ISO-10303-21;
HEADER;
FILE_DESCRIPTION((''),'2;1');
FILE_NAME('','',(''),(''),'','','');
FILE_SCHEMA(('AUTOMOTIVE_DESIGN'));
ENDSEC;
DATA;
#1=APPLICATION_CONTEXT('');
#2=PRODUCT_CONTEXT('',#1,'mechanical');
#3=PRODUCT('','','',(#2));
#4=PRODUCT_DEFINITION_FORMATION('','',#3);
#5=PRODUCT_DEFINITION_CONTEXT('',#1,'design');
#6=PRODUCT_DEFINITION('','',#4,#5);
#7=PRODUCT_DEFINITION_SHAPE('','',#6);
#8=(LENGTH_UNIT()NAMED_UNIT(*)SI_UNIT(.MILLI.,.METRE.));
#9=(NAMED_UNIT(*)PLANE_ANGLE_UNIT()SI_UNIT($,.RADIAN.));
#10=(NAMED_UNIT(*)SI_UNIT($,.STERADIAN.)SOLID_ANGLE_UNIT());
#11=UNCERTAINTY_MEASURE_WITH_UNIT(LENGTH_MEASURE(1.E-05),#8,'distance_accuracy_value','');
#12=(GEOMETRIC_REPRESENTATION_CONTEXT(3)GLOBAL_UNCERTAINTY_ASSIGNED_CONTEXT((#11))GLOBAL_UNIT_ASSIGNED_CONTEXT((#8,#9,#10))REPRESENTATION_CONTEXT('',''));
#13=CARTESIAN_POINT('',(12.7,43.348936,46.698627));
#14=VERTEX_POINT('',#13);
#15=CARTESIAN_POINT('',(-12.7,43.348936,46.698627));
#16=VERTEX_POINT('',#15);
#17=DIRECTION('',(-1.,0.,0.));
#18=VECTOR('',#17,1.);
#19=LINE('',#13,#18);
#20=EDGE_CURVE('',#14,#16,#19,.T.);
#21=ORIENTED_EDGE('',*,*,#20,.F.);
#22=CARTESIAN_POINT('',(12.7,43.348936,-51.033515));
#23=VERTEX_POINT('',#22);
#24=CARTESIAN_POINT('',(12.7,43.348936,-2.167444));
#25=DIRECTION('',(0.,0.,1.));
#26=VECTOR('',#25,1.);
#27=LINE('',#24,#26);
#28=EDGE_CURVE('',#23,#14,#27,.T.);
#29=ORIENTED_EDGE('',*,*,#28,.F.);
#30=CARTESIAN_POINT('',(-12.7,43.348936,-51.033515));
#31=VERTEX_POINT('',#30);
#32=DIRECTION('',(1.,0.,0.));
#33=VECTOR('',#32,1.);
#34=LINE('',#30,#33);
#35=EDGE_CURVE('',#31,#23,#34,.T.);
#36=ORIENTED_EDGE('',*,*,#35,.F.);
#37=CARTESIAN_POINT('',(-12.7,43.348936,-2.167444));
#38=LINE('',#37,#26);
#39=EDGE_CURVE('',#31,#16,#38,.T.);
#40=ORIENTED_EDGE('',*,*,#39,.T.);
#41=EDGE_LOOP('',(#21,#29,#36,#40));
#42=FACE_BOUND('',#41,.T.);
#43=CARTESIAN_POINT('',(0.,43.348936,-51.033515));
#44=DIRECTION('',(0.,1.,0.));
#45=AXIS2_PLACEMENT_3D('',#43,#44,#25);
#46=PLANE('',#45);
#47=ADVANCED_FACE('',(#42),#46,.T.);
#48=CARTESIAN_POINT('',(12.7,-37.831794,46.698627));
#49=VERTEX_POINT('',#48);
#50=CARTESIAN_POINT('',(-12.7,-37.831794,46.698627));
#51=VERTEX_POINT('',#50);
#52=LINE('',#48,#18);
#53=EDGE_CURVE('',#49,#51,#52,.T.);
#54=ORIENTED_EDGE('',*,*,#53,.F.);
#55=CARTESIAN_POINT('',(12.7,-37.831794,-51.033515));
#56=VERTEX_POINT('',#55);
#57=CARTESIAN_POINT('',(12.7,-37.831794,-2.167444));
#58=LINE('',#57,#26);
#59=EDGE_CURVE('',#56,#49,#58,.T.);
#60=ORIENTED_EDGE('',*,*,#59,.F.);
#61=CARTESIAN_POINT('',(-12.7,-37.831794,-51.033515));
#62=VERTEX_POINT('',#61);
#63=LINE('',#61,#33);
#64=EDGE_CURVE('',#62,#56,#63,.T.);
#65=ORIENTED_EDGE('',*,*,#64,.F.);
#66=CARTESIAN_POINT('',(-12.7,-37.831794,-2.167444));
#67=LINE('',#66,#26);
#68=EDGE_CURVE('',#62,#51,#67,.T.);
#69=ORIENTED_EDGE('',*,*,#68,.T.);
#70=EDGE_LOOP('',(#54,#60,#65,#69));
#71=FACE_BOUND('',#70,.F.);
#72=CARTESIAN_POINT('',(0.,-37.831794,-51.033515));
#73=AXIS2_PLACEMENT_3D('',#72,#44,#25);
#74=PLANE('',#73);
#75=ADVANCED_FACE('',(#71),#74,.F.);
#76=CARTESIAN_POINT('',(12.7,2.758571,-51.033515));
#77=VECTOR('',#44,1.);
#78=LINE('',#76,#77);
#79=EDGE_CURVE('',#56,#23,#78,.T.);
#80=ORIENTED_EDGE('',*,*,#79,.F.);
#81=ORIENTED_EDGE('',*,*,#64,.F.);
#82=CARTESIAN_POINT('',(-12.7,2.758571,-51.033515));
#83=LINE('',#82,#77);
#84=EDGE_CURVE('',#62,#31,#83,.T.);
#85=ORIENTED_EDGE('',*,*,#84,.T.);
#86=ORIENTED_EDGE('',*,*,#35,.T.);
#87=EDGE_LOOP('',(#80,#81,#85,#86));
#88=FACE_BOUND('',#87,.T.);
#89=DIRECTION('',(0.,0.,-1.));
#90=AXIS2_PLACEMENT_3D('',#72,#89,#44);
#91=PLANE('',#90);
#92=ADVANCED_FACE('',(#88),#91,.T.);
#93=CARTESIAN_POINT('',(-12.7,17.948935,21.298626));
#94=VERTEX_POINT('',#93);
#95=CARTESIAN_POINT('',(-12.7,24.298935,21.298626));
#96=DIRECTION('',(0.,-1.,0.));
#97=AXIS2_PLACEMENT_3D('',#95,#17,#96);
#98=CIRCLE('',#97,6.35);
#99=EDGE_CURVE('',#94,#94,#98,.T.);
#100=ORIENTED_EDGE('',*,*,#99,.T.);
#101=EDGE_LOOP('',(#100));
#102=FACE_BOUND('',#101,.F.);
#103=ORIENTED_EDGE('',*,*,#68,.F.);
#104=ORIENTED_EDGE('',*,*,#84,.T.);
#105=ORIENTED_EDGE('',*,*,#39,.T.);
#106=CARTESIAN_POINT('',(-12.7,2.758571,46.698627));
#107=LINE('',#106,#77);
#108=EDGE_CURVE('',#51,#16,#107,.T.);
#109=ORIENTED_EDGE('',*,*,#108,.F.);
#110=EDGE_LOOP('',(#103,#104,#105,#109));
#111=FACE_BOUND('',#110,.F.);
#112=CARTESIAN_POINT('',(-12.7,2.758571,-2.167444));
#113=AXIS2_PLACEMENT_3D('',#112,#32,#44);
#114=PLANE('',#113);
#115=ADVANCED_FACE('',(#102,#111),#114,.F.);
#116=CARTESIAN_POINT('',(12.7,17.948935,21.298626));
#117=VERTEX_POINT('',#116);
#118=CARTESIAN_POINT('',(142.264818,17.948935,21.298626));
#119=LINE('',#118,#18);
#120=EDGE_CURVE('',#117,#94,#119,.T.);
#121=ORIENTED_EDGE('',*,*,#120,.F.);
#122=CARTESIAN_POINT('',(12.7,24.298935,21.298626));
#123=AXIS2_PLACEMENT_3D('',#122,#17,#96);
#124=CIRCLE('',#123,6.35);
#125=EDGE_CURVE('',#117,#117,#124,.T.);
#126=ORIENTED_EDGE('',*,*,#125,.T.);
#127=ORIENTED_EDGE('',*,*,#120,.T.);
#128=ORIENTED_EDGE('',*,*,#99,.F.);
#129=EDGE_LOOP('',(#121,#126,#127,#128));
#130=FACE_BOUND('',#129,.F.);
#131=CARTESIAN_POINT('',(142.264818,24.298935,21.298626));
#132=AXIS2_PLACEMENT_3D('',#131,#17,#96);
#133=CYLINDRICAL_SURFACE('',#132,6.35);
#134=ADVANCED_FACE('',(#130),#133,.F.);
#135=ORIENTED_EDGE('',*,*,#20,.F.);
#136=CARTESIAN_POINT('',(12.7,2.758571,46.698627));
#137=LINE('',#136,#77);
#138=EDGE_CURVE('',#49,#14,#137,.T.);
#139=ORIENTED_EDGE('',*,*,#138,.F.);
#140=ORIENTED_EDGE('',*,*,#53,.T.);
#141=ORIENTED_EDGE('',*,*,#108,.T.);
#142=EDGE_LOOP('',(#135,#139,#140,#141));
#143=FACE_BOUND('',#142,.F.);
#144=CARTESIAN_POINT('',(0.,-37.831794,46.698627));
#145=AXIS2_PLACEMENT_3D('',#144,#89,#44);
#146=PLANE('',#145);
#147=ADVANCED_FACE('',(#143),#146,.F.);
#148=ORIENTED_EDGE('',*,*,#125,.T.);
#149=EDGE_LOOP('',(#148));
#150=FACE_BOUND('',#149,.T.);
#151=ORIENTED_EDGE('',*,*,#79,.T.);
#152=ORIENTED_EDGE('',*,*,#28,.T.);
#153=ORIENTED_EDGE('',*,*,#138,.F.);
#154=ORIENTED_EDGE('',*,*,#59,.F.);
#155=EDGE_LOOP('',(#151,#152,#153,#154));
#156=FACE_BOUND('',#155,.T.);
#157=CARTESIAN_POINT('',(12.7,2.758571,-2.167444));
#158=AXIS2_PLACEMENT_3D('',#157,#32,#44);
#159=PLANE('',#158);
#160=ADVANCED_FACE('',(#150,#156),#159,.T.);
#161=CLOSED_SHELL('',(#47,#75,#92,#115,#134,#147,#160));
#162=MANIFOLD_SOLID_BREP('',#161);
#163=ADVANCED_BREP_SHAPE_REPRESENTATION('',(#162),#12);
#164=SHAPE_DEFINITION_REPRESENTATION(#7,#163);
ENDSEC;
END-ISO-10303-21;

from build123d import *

# Parameters (mm, degrees)
F0_W     = 81.180729
F0_H     = 97.732141
F1_DEPTH = 12.7
F3_D     = 12.7


with BuildPart() as f1:
    # F0 (on Right) → F1 (new body, symmetric)
    with BuildSketch(Plane.YZ):
        with Locations((2.758571, -2.167444)):
            Rectangle(F0_W, F0_H)
    extrude(amount=F1_DEPTH, both=True)

    # F3 (through all)
    with Locations(Plane.YZ.offset(12.7)):
        with Locations((24.298935, 21.298626)):
            Hole(F3_D / 2)


solid = f1.part
